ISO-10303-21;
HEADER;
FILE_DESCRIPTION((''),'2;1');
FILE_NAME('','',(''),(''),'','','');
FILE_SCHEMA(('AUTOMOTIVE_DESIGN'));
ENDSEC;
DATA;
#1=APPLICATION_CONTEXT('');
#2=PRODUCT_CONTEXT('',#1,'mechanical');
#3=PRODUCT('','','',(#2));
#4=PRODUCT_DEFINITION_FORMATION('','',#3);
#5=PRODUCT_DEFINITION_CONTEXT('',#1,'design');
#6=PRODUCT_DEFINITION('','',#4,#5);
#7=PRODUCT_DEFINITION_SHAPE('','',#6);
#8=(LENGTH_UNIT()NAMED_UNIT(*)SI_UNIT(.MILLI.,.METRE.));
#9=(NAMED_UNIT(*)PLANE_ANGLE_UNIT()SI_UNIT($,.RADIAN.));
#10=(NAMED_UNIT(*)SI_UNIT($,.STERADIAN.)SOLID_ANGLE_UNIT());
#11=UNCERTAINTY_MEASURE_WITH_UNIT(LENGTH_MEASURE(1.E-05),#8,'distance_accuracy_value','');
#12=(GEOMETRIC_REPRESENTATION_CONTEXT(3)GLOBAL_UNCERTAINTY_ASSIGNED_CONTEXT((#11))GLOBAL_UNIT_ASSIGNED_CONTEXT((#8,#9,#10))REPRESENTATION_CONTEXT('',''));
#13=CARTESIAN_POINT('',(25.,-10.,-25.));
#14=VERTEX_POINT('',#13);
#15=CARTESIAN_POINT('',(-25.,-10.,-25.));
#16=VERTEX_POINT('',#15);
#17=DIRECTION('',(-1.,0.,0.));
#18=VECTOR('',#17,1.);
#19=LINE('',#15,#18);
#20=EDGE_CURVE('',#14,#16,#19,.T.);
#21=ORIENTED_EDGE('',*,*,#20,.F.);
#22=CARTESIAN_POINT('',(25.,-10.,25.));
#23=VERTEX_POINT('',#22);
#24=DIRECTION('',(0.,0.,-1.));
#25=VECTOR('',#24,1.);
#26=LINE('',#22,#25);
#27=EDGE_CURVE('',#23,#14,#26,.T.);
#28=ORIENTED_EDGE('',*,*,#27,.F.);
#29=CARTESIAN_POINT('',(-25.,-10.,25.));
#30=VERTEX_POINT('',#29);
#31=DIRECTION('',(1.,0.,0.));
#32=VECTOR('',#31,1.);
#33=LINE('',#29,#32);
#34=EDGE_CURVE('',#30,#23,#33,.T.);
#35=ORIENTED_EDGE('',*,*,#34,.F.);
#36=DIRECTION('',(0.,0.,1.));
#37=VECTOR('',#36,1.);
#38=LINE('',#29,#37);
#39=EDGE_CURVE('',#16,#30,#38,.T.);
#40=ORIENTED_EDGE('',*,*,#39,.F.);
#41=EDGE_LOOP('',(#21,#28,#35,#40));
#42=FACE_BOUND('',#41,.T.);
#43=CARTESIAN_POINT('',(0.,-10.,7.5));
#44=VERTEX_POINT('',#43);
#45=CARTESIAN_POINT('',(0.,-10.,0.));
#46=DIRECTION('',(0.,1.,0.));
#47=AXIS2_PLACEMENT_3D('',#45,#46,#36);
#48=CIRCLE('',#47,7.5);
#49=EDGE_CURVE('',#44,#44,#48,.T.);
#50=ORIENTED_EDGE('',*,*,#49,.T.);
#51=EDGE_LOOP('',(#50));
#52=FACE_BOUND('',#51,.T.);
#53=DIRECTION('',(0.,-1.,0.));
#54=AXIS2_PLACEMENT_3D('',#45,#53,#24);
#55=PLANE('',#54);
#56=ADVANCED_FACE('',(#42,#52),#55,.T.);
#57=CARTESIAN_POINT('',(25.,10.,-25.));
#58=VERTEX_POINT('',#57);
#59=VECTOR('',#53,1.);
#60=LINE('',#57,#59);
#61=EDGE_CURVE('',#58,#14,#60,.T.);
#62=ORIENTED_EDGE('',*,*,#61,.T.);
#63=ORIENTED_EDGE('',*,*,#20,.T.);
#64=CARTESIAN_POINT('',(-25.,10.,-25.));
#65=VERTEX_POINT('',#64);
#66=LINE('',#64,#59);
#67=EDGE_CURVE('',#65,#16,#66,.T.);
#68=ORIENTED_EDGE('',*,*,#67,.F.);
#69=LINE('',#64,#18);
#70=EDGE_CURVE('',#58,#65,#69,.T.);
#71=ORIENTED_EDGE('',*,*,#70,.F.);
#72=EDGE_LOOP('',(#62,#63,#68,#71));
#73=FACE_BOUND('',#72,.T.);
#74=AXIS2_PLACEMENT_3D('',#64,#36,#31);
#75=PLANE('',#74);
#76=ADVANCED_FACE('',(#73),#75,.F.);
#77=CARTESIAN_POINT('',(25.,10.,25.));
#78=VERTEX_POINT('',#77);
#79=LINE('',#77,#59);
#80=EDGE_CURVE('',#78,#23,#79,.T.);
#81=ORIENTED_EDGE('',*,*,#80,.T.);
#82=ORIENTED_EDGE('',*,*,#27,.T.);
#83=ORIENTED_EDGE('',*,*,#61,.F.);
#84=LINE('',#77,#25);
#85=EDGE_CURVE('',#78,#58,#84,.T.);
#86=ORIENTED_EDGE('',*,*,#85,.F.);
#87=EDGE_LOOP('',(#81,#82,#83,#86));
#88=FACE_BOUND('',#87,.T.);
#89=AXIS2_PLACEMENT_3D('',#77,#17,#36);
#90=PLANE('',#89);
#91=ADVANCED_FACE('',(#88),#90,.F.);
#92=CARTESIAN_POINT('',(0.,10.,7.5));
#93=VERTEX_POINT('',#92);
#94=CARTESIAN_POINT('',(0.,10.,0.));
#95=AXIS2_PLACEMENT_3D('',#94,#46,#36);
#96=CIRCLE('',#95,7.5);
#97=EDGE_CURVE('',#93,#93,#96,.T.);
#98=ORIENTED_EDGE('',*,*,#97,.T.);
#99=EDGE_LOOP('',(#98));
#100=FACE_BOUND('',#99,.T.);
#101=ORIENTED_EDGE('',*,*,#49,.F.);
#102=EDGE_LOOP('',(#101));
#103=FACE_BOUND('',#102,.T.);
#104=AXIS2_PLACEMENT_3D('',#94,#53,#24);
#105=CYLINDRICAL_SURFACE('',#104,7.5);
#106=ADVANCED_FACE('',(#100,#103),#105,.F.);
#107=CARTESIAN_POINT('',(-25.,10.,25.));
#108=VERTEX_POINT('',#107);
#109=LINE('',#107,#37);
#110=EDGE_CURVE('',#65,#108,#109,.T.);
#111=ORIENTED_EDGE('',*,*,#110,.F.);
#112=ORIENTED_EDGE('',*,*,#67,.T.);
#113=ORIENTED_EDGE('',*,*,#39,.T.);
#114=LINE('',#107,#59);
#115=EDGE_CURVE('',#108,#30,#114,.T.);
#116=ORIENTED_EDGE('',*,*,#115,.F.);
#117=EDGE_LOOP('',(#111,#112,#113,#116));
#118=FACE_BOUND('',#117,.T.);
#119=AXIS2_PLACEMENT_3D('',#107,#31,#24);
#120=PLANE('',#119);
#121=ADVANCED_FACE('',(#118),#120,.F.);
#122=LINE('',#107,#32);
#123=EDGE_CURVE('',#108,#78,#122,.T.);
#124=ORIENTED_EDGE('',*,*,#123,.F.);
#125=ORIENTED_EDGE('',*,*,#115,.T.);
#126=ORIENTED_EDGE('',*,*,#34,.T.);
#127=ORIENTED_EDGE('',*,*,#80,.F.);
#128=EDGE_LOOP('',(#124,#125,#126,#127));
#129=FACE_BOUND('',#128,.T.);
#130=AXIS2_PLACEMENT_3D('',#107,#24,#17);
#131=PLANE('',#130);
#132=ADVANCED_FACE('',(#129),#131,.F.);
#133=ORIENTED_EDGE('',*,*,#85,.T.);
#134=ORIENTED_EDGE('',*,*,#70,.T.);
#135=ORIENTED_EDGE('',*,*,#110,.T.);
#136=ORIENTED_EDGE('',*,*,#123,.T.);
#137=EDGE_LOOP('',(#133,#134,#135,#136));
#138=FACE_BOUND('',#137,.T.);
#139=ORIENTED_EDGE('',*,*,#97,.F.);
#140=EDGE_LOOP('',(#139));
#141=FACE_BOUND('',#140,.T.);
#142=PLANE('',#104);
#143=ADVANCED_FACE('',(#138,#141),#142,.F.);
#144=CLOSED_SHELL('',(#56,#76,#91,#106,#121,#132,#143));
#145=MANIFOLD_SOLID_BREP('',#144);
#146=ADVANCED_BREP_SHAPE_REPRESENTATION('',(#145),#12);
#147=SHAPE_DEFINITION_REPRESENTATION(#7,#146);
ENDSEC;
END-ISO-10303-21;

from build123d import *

# Parameters (mm, degrees)
SKETCH1_W           = 50
SKETCH1_H           = 50
SKETCH1_R           = 7.5
BOSS_EXTRUDE1_DEPTH = 10


with BuildPart() as part:
    # Sketch1 → Boss-Extrude1 (new, symmetric)
    with BuildSketch(Plane(origin=(0, 0, 0), x_dir=(1, 0, 0), z_dir=(0, 1, 0))):
        Rectangle(SKETCH1_W, SKETCH1_H)
        with Locations(Location((0, 0, 0), (0, 0, 270))):
            Circle(SKETCH1_R, mode=Mode.SUBTRACT)
    extrude(amount=BOSS_EXTRUDE1_DEPTH, both=True)


solid = part.part
